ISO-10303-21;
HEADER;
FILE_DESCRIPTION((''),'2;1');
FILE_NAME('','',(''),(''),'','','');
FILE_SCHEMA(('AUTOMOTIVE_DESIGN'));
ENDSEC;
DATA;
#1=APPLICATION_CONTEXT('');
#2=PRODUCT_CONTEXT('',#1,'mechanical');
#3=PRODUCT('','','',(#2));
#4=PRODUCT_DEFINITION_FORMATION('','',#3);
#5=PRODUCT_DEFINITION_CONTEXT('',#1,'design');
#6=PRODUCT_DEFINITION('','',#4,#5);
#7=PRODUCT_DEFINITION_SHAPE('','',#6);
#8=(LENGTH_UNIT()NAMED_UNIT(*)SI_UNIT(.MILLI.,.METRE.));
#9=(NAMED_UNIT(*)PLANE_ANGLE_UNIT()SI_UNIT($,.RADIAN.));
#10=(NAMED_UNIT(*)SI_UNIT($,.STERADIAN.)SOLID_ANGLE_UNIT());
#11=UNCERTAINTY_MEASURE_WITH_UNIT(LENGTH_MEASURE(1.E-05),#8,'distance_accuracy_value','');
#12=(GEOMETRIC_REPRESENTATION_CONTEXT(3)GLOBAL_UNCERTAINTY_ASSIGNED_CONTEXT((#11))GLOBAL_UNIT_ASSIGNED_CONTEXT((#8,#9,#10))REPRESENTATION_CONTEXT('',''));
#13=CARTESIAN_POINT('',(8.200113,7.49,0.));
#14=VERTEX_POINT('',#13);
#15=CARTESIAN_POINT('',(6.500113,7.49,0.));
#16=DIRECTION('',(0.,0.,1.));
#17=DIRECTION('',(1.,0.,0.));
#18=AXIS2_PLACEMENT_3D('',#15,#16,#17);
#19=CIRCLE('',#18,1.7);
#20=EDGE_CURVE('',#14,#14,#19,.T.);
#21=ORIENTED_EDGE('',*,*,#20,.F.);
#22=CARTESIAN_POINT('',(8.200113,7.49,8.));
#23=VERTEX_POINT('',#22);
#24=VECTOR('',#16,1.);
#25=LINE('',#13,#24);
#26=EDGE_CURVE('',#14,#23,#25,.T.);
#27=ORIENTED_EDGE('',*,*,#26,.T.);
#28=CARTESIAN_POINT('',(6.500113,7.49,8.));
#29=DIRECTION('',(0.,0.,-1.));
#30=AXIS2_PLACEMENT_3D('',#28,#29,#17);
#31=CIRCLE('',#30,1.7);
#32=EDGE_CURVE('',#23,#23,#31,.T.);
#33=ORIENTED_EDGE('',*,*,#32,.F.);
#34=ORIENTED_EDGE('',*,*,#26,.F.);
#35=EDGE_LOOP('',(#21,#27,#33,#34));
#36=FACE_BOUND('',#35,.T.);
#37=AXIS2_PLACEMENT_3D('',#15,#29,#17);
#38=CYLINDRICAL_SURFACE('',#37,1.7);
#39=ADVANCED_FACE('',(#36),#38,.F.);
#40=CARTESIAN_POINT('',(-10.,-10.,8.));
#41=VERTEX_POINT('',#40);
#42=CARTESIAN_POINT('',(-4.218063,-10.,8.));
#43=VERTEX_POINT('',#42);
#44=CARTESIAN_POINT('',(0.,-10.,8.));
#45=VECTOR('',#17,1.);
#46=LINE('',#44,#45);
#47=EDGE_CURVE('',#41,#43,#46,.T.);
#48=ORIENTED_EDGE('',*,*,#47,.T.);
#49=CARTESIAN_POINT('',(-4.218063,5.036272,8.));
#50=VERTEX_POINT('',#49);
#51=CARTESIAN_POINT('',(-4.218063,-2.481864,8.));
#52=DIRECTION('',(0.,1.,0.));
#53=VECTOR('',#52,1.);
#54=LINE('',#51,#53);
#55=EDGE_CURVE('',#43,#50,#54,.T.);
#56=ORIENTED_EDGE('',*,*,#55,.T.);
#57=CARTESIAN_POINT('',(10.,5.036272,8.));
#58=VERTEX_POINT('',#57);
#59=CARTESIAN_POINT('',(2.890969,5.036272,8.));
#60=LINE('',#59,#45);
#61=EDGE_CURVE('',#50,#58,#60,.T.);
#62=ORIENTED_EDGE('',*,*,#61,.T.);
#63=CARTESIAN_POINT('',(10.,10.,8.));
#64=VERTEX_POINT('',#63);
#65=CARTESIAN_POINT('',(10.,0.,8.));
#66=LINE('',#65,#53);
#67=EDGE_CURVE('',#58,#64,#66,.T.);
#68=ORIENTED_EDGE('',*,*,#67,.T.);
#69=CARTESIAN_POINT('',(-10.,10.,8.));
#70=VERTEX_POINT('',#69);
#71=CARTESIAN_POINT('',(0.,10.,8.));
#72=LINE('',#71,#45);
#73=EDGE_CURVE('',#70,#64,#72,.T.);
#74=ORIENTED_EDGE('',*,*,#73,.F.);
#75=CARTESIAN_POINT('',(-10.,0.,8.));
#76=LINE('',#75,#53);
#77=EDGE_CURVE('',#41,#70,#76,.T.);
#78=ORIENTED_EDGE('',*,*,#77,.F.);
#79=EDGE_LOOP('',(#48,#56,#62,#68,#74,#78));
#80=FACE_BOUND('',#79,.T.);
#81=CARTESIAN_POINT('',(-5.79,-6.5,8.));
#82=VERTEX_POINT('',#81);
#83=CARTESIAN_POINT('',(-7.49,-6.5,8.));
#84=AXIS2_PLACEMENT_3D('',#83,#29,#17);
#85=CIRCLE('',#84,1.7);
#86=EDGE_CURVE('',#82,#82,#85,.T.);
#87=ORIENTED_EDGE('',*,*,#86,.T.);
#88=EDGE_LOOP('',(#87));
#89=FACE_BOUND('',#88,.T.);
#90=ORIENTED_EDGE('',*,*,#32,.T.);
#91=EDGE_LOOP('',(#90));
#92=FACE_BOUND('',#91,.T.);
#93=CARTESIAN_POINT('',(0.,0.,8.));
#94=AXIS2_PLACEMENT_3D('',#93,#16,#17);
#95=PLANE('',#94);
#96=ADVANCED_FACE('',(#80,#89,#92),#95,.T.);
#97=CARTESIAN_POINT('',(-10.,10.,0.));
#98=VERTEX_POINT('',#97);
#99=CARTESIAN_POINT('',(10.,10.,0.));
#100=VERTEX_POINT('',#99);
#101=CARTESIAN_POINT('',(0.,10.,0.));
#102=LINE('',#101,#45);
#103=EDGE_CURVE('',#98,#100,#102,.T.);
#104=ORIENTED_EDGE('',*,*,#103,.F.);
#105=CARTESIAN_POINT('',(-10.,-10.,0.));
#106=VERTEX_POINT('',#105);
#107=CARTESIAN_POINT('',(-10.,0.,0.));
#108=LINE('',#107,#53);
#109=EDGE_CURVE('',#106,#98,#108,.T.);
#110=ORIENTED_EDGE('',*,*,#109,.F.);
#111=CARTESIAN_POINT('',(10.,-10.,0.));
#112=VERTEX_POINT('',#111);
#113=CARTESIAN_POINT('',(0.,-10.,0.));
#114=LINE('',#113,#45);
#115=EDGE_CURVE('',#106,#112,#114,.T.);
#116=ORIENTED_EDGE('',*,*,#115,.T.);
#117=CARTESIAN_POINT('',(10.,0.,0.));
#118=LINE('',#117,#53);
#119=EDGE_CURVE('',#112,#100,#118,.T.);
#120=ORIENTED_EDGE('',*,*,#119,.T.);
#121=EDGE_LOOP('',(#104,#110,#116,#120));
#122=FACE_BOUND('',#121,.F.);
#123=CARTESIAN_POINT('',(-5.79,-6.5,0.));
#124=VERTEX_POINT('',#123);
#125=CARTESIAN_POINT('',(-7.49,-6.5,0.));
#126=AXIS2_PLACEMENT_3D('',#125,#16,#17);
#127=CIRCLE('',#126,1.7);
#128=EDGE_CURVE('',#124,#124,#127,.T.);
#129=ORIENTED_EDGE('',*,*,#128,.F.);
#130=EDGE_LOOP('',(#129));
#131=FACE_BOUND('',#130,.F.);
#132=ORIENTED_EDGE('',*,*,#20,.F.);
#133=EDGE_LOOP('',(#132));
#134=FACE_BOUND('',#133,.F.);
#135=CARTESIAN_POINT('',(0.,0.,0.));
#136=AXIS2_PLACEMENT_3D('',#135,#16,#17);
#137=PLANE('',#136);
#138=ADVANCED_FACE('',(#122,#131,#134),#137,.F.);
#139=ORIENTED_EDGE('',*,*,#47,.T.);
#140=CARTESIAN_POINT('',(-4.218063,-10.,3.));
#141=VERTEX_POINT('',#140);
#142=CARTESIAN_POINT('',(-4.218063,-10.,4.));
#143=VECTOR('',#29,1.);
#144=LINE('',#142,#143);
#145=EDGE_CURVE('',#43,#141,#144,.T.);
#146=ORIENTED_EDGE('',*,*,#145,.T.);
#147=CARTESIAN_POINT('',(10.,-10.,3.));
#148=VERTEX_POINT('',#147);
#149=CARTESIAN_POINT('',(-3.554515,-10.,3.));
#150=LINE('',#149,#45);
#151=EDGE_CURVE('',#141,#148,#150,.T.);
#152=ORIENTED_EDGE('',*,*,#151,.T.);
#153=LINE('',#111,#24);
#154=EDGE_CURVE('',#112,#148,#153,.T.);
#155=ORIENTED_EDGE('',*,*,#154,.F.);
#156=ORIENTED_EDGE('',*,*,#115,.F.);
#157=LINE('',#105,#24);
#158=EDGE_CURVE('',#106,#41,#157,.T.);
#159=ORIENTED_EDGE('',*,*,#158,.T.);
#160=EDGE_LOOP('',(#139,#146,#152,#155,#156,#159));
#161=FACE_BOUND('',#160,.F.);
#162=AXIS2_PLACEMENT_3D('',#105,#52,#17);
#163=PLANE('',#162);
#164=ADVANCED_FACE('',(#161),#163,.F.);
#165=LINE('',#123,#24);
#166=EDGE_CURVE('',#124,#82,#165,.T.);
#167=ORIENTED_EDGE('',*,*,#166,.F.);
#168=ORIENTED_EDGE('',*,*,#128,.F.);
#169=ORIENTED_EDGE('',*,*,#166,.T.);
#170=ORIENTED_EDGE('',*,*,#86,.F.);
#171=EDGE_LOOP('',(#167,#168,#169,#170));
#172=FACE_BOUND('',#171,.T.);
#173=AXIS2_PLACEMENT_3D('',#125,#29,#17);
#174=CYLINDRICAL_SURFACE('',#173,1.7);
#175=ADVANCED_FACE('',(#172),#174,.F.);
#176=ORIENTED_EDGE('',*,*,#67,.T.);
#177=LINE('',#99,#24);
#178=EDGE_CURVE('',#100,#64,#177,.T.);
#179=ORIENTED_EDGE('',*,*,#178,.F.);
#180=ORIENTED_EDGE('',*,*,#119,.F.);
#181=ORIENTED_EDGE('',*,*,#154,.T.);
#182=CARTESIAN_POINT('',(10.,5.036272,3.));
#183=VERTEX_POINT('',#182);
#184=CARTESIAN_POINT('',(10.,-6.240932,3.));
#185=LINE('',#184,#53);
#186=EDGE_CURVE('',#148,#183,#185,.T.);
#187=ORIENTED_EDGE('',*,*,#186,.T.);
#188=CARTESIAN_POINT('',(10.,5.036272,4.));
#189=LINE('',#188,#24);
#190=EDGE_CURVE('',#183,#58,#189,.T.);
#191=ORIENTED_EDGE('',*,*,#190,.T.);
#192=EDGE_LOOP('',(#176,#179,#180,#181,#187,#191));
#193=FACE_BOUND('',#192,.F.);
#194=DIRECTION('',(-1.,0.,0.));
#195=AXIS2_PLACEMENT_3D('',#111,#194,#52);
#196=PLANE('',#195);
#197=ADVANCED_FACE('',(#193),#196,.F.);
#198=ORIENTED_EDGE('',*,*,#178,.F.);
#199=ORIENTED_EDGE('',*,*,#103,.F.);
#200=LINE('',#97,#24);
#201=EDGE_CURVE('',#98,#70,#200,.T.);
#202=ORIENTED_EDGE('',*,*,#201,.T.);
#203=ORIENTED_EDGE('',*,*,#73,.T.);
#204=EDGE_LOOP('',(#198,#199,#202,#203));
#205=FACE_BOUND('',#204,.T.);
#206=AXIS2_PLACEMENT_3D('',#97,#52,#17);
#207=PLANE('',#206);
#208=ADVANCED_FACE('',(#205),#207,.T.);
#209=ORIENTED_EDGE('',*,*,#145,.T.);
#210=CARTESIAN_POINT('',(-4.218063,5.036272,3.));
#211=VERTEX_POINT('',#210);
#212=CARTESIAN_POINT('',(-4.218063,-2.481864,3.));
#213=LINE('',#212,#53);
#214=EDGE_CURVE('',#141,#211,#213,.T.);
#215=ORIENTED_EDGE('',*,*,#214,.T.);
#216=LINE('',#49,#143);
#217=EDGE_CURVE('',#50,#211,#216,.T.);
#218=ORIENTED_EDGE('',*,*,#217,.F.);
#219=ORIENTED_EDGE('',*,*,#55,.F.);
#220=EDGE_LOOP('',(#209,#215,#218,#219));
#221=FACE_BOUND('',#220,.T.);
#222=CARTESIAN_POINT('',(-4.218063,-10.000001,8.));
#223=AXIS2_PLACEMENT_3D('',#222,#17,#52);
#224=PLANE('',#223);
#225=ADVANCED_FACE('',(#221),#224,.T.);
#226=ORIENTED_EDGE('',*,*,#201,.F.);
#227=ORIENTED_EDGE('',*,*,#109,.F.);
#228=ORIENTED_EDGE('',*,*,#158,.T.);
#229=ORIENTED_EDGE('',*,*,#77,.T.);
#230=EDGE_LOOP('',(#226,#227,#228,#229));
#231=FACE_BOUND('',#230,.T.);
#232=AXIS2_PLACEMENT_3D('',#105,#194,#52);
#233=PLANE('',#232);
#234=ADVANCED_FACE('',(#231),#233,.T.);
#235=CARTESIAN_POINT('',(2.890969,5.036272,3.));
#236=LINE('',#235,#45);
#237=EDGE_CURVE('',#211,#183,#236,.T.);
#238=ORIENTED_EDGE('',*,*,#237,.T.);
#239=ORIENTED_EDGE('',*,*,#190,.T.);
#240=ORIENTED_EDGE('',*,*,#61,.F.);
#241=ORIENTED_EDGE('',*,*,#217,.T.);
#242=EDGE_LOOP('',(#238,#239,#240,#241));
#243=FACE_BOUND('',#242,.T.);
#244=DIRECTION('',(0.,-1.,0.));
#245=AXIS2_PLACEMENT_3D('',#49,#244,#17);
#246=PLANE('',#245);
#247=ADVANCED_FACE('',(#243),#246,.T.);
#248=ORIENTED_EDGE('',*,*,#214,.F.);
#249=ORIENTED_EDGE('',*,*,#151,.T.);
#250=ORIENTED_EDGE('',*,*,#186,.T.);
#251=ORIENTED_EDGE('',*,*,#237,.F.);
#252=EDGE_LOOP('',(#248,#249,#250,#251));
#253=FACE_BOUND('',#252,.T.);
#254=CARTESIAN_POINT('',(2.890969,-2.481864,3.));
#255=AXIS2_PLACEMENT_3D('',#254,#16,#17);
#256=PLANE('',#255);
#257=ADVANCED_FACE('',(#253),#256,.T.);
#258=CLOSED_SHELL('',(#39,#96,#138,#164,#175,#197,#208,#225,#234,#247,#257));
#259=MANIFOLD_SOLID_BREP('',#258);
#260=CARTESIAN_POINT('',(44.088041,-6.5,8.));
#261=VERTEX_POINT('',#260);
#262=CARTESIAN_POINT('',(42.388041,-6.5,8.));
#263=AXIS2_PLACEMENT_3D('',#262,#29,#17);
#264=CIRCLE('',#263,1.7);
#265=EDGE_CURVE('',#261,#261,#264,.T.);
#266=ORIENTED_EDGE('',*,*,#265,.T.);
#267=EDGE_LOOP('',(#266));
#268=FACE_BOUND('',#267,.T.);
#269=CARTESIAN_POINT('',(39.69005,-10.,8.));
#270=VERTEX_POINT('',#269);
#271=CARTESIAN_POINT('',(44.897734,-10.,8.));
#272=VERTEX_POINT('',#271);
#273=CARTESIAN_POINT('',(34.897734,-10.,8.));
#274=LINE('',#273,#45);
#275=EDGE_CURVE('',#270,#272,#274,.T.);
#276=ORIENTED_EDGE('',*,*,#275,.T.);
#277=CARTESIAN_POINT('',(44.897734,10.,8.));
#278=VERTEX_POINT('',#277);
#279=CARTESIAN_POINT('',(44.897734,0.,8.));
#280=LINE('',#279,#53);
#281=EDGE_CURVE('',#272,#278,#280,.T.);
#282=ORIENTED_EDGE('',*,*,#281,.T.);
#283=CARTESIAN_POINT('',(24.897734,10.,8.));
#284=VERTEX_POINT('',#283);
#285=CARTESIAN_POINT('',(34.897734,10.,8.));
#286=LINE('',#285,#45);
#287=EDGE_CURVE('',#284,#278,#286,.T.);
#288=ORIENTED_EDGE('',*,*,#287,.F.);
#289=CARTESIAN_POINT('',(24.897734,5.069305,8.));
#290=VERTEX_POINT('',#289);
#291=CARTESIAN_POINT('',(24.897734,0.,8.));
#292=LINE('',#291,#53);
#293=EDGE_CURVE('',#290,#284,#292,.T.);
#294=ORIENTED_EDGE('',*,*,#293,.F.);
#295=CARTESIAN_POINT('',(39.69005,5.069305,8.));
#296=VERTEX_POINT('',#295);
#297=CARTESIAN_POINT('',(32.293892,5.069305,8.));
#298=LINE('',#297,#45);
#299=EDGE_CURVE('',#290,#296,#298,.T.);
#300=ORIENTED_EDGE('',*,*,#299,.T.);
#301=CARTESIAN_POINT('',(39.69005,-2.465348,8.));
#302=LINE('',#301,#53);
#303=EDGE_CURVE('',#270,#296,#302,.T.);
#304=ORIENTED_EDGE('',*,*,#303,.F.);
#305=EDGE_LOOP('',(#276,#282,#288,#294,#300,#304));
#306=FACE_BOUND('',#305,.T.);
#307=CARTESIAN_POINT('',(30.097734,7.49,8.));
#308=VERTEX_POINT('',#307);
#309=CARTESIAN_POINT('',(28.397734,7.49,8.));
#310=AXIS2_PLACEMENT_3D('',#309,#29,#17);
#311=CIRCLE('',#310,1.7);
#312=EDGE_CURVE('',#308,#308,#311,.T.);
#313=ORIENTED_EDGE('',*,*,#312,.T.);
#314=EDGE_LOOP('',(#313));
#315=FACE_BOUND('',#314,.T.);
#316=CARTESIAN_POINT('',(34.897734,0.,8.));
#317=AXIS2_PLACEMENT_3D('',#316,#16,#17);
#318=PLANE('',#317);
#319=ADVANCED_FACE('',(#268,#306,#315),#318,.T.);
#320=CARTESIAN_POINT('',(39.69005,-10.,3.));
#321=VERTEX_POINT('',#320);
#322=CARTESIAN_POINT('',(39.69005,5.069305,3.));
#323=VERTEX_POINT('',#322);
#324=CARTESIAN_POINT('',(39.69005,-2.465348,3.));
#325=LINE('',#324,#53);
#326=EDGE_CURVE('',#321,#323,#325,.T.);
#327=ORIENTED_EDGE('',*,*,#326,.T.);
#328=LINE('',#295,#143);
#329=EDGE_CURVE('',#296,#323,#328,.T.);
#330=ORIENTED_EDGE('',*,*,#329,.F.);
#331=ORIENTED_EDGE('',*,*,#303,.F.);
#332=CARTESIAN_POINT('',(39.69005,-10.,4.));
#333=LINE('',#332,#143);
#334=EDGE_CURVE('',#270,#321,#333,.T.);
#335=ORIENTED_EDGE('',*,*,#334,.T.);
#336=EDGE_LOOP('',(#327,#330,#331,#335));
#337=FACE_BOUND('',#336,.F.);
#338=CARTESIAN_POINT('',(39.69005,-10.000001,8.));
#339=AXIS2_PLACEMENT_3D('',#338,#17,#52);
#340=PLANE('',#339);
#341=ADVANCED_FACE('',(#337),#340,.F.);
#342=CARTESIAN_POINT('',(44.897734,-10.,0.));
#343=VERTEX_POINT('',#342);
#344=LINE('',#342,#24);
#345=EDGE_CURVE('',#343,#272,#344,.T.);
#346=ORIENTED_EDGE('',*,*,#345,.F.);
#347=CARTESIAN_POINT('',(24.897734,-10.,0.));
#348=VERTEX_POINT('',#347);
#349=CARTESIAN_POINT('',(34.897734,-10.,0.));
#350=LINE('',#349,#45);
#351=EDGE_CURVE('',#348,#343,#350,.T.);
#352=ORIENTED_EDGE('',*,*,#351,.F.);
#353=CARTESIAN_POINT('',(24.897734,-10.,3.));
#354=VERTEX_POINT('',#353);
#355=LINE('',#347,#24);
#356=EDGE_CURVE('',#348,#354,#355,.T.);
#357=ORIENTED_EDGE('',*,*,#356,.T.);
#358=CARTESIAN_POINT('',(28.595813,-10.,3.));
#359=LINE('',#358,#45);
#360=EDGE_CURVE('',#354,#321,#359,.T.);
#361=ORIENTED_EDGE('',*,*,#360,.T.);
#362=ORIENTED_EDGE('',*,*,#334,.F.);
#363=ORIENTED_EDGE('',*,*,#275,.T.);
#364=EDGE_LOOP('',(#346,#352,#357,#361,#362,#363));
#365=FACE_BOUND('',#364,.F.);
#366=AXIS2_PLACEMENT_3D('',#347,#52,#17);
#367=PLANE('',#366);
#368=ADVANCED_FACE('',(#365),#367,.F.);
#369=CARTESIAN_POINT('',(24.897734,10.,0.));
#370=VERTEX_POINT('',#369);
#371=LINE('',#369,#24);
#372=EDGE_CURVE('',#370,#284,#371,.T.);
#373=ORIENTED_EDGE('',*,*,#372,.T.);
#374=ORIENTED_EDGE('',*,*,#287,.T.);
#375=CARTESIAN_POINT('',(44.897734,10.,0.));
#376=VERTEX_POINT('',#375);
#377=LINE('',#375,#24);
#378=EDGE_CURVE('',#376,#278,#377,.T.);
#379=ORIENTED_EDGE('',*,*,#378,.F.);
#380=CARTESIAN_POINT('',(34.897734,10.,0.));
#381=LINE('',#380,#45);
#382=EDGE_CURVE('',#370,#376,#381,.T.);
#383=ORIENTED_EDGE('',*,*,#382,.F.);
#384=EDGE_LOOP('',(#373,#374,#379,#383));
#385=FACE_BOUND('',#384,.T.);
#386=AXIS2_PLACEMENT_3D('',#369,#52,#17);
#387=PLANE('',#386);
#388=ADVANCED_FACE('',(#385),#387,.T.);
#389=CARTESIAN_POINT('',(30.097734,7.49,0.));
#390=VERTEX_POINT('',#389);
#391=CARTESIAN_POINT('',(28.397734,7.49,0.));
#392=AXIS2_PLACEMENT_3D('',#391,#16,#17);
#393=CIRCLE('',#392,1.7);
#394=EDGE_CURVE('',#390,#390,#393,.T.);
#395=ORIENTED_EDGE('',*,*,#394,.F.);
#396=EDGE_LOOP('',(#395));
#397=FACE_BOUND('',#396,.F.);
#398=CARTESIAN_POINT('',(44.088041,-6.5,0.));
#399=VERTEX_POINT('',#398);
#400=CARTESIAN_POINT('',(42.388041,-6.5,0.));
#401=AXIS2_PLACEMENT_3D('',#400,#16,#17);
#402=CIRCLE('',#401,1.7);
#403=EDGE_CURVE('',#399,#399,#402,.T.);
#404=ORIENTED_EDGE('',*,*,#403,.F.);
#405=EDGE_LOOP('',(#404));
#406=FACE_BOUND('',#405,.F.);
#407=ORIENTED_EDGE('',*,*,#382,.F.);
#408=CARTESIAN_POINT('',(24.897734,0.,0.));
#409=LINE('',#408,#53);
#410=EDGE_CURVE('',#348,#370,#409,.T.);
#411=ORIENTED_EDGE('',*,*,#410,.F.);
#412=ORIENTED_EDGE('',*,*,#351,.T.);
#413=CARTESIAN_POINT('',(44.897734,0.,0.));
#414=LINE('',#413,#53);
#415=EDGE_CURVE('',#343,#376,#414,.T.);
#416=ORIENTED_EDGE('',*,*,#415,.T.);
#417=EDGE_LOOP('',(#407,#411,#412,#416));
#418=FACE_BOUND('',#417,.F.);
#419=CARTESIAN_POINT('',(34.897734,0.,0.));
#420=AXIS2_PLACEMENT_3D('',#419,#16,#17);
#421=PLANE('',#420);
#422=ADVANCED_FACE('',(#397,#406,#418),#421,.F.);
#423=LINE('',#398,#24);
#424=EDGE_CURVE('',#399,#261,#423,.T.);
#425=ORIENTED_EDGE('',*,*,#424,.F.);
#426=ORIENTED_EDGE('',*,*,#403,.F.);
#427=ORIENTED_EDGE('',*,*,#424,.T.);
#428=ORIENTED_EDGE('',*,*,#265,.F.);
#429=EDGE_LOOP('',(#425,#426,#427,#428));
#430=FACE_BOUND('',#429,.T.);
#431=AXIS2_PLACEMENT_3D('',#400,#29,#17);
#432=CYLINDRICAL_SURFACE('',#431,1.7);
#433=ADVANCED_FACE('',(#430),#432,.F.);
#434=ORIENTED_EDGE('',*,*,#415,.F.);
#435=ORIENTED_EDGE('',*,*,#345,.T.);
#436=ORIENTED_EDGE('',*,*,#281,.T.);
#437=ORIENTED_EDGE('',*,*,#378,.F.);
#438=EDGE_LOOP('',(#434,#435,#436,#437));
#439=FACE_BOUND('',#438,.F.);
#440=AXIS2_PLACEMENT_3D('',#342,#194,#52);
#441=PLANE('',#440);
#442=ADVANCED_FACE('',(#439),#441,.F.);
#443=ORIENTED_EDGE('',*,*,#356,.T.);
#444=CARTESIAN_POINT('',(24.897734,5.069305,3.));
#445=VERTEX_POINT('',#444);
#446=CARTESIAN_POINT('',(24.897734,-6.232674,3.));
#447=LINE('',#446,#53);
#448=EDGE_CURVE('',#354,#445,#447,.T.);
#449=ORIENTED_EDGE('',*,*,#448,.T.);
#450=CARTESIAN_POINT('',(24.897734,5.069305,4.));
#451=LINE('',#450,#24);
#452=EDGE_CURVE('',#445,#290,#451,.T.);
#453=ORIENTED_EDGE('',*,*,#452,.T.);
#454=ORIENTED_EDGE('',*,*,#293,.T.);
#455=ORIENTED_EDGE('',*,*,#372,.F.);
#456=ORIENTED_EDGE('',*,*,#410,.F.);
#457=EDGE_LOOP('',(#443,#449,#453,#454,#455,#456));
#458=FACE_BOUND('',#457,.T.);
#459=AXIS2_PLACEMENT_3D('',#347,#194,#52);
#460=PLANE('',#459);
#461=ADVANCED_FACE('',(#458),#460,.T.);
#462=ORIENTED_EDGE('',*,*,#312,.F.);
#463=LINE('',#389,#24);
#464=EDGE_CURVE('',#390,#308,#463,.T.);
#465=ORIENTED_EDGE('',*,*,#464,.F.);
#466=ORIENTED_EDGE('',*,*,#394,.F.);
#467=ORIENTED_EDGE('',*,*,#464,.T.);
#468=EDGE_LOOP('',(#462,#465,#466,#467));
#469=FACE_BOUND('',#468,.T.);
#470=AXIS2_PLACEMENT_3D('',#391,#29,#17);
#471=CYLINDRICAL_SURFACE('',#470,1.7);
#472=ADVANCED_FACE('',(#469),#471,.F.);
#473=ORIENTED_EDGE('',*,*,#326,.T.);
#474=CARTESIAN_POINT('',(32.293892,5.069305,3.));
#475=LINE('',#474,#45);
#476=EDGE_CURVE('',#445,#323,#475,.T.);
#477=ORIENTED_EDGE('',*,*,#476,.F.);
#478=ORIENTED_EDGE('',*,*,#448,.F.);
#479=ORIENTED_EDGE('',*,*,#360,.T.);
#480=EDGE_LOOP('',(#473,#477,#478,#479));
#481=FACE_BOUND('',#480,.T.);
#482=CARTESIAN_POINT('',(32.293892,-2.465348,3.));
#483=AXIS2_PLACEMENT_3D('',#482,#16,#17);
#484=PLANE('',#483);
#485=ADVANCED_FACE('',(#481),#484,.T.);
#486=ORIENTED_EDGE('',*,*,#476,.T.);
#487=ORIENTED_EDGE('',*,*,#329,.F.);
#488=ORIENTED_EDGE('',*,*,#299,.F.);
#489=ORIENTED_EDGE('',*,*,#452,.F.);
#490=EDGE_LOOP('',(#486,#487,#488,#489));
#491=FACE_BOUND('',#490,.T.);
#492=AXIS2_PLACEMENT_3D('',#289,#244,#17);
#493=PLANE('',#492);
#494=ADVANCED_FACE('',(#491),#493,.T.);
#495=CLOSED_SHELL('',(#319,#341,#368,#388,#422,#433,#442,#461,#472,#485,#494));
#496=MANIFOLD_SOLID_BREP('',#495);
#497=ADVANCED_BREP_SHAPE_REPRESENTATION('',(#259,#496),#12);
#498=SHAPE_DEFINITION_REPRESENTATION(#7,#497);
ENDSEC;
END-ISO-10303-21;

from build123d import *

# Parameters (mm, degrees)
F0_W     = 20
F0_H     = 20
F1_DEPTH = 8
F2_W     = 14.218063
F2_H     = 15.036273
F3_DEPTH = 5
F4_W     = 20
F4_H     = 20
F5_DEPTH = 8
F6_W     = 14.792317
F6_H     = 15.069305
F7_DEPTH = 5
F8_R     = 1.7
F9_DEPTH = 8.6


with BuildPart() as f1:
    # F0 (on Top) → F1 (new body)
    with BuildSketch(Plane.XY):
        Rectangle(F0_W, F0_H)
    extrude(amount=F1_DEPTH)

    # F2 (on face) → F3 (cut)
    with BuildSketch(Plane.XY.offset(8)):
        with Locations((2.890969, -2.481864)):
            Rectangle(F2_W, F2_H)
    extrude(amount=-F3_DEPTH, mode=Mode.SUBTRACT)


with BuildPart() as f5:
    # F4 (on Top) → F5 (new body)
    with BuildSketch(Plane.XY):
        with Locations((34.897734, 0)):
            Rectangle(F4_W, F4_H)
    extrude(amount=F5_DEPTH)

    # F6 (on face) → F7 (cut)
    with BuildSketch(Plane.XY.offset(8)):
        with Locations((32.293892, -2.465348)):
            Rectangle(F6_W, F6_H)
    extrude(amount=-F7_DEPTH, mode=Mode.SUBTRACT)


with BuildPart() as f9_tool:
    # F8 (on Top) → F9 (new body)
    with BuildSketch(Plane.XY):
        with Locations((-7.49, -6.5)):
            Circle(F8_R)
        with Locations((6.500113, 7.49)):
            Circle(F8_R)
        with Locations((28.397734, 7.49)):
            Circle(F8_R)
        with Locations((42.388041, -6.5)):
            Circle(F8_R)
    extrude(amount=F9_DEPTH)


with BuildPart() as f1_1:
    add(f1.part)

    # F9: cut by f9_tool
    add(f9_tool.part, mode=Mode.SUBTRACT)


with BuildPart() as f5_1:
    add(f5.part)

    # F9: cut by f9_tool
    add(f9_tool.part, mode=Mode.SUBTRACT)


solid = Compound([f1_1.part, f5_1.part])
